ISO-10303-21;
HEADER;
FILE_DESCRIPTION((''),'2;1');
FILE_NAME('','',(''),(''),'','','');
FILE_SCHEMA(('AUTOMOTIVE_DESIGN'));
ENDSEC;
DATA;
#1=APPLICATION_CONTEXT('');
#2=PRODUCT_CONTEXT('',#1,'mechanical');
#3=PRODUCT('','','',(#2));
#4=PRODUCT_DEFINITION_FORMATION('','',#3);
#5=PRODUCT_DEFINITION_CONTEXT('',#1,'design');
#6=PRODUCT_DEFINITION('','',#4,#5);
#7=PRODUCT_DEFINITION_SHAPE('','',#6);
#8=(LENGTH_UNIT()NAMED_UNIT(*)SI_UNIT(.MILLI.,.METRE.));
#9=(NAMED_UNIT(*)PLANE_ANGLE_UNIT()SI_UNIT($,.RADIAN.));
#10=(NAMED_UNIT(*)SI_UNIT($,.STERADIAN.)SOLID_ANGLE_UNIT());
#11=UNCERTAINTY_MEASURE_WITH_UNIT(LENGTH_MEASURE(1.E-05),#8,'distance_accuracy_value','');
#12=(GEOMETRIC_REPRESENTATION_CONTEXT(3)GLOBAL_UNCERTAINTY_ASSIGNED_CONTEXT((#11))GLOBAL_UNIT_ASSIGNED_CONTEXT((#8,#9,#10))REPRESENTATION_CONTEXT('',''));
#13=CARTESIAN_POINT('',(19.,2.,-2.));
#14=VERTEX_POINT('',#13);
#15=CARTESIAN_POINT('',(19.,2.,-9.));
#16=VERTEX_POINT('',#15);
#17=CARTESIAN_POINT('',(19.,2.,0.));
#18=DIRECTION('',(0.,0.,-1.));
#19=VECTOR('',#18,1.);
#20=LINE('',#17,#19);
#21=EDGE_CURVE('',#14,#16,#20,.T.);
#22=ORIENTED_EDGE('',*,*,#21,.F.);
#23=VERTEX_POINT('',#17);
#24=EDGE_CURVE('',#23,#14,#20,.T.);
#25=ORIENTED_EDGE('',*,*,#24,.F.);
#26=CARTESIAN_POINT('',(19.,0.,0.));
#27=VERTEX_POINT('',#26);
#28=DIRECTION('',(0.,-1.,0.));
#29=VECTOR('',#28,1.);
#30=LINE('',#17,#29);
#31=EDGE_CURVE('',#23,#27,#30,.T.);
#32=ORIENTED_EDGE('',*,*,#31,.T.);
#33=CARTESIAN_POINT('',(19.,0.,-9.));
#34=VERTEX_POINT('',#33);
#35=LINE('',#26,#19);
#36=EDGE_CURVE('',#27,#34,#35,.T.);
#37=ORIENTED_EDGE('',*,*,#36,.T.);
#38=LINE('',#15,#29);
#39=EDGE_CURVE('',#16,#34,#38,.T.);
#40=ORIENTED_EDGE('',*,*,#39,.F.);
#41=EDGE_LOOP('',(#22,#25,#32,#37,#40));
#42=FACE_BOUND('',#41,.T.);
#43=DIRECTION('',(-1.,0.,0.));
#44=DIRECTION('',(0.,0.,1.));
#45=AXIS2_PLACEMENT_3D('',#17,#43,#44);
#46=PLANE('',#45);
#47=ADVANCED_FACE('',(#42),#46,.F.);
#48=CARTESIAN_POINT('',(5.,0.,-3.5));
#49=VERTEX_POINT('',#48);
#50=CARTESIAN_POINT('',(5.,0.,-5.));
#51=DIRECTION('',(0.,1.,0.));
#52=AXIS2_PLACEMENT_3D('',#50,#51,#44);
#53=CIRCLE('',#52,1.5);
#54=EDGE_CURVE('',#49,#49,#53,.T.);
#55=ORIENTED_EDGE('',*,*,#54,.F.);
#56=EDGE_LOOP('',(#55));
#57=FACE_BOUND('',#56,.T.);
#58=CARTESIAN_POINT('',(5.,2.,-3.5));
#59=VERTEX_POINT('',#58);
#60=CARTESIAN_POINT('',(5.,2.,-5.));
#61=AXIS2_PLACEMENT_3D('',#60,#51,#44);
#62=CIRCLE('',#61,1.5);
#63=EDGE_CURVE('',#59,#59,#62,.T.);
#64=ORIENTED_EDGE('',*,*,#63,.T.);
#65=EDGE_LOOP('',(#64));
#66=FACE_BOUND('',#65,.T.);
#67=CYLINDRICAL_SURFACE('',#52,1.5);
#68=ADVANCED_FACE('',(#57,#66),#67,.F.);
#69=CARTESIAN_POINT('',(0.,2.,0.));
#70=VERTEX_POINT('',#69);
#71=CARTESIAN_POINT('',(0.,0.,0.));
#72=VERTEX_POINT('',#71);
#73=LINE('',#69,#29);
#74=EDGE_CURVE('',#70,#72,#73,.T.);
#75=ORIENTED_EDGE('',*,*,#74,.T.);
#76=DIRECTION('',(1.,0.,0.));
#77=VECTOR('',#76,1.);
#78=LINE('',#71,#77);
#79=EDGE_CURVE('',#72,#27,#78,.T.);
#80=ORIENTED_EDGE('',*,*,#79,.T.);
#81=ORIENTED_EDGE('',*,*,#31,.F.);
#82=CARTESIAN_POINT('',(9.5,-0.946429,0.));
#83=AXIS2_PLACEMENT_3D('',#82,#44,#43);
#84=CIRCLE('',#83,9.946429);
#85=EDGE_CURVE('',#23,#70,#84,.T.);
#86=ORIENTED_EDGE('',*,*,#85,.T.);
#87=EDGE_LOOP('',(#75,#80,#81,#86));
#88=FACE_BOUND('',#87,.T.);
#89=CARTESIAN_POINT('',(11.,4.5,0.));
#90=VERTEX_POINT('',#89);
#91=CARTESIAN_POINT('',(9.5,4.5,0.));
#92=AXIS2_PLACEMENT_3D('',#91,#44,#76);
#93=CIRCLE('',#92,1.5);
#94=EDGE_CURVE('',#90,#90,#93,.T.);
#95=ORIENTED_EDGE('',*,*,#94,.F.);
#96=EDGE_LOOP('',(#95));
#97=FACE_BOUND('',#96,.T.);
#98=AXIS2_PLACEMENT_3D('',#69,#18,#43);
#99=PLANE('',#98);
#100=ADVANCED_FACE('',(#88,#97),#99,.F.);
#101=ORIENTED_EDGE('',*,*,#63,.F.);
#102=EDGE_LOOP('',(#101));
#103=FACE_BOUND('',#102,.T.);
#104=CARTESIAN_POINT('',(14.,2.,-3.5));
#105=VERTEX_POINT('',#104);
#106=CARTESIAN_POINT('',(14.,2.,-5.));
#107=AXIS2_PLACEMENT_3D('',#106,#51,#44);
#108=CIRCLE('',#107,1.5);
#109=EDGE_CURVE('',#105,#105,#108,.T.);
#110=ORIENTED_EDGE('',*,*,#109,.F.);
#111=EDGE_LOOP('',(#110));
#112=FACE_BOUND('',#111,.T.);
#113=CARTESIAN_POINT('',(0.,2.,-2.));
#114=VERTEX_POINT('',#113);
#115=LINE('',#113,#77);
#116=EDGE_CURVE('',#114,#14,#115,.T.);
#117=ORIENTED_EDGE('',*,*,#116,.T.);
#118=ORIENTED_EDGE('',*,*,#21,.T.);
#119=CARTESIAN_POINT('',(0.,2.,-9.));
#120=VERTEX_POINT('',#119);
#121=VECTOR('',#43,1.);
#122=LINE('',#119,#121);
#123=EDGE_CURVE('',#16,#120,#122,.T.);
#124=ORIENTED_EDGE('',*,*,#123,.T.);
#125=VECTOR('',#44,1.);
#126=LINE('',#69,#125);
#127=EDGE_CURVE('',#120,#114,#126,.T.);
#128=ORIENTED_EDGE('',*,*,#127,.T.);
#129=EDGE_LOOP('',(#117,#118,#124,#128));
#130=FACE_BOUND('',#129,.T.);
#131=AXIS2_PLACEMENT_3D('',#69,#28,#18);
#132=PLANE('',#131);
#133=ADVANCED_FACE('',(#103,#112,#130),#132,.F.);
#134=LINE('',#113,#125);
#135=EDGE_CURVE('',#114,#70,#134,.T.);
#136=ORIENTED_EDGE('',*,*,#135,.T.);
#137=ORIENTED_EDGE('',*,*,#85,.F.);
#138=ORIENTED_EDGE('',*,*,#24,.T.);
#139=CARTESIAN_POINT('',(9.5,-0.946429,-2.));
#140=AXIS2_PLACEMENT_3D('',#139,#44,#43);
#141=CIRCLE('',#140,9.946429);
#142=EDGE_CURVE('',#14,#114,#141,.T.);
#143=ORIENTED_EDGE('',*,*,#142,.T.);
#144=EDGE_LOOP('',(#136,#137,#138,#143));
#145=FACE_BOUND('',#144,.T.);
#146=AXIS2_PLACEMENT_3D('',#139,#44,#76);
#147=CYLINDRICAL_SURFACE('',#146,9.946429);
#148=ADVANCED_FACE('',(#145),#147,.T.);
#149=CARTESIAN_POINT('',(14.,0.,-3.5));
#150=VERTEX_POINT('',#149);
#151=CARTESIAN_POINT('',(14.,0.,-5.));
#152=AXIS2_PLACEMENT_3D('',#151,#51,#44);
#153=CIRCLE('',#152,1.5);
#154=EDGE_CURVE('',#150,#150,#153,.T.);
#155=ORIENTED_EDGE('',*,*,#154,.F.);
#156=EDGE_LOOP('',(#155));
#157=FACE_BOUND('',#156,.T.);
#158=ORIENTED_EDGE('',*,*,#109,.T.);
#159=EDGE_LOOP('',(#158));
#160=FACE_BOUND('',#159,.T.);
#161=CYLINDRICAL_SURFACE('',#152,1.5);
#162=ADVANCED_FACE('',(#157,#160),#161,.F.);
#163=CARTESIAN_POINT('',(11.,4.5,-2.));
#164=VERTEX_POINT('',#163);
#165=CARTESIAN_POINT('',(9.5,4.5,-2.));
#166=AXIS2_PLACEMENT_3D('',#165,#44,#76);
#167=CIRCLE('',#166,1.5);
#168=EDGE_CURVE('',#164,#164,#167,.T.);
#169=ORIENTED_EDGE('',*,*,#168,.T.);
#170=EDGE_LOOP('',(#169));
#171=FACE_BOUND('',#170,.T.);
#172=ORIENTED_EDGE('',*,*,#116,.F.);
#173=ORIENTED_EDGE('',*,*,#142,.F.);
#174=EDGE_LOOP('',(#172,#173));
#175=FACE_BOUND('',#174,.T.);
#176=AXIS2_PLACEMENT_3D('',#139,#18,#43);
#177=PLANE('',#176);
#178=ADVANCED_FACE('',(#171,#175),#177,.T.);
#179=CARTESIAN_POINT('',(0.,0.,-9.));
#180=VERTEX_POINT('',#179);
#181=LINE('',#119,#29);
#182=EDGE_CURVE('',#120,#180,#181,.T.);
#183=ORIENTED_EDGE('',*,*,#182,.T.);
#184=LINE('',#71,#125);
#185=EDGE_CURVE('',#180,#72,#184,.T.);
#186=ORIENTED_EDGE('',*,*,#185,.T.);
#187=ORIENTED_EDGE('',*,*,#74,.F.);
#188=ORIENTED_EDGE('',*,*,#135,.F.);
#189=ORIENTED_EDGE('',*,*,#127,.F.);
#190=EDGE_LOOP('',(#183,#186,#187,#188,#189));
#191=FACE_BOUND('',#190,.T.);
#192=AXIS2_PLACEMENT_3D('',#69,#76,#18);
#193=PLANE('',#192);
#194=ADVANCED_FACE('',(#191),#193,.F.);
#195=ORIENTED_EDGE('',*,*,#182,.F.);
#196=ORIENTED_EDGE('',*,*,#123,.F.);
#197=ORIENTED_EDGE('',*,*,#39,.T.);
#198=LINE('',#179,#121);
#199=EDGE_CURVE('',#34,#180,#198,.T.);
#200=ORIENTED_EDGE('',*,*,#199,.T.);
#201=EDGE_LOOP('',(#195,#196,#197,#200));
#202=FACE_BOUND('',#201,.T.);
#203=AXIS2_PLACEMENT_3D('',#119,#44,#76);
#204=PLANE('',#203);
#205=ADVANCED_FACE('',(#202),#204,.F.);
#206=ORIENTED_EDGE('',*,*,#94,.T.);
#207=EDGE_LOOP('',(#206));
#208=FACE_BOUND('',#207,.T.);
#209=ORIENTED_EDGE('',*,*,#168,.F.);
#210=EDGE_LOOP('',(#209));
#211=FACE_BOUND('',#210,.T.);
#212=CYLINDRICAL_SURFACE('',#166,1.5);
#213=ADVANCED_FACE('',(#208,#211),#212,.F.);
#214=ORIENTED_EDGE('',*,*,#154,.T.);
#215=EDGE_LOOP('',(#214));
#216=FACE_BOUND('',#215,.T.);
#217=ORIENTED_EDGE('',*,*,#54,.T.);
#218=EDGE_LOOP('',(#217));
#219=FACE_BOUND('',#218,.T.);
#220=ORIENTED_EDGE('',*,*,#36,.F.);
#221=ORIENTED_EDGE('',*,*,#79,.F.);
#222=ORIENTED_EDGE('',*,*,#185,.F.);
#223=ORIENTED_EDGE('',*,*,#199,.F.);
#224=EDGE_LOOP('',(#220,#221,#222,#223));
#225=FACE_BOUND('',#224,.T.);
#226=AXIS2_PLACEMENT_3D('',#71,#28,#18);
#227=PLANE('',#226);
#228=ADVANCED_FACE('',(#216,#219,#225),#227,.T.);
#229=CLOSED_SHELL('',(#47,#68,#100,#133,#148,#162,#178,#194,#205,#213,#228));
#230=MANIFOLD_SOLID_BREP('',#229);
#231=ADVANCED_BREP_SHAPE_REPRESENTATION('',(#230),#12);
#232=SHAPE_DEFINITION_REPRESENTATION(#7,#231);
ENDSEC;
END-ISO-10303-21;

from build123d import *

# Parameters (mm, degrees)
SKETCH1_W           = 19
SKETCH1_H           = 9
BOSS_EXTRUDE1_DEPTH = 2
BOSS_EXTRUDE2_DEPTH = 2
SKETCH4_R           = 1.5
CUT_EXTRUDE1_DEPTH  = 2
SKETCH5_R           = 1.5
CUT_EXTRUDE2_DEPTH  = 2


with BuildPart() as part:
    # Sketch1 → Boss-Extrude1 (new body)
    with BuildSketch(Plane(origin=(0, 0, 0), x_dir=(1, 0, 0), z_dir=(0, 1, 0))):
        with Locations((9.5, 4.5)):
            Rectangle(SKETCH1_W, SKETCH1_H)
    extrude(amount=BOSS_EXTRUDE1_DEPTH)

    # Sketch3 → Boss-Extrude2 (add)
    with BuildSketch(Plane.XY):
        with BuildLine():
            Line((0, 2), (19, 2))
            ThreePointArc((19, 2), (9.5, 9), (0, 2))
        make_face()
    extrude(amount=-BOSS_EXTRUDE2_DEPTH)

    # Sketch4 → Cut-Extrude1 (cut)
    with BuildSketch(Plane(origin=(0, 2, 0), x_dir=(1, 0, 0), z_dir=(0, 1, 0))):
        with Locations((5, 5)):
            Circle(SKETCH4_R)
        with Locations((14, 5)):
            Circle(SKETCH4_R)
    extrude(amount=-CUT_EXTRUDE1_DEPTH, mode=Mode.SUBTRACT)

    # Sketch5 → Cut-Extrude2 (cut)
    with BuildSketch(Plane.XY):
        with Locations((9.5, 4.5)):
            Circle(SKETCH5_R)
    extrude(amount=-CUT_EXTRUDE2_DEPTH, mode=Mode.SUBTRACT)


solid = part.part
